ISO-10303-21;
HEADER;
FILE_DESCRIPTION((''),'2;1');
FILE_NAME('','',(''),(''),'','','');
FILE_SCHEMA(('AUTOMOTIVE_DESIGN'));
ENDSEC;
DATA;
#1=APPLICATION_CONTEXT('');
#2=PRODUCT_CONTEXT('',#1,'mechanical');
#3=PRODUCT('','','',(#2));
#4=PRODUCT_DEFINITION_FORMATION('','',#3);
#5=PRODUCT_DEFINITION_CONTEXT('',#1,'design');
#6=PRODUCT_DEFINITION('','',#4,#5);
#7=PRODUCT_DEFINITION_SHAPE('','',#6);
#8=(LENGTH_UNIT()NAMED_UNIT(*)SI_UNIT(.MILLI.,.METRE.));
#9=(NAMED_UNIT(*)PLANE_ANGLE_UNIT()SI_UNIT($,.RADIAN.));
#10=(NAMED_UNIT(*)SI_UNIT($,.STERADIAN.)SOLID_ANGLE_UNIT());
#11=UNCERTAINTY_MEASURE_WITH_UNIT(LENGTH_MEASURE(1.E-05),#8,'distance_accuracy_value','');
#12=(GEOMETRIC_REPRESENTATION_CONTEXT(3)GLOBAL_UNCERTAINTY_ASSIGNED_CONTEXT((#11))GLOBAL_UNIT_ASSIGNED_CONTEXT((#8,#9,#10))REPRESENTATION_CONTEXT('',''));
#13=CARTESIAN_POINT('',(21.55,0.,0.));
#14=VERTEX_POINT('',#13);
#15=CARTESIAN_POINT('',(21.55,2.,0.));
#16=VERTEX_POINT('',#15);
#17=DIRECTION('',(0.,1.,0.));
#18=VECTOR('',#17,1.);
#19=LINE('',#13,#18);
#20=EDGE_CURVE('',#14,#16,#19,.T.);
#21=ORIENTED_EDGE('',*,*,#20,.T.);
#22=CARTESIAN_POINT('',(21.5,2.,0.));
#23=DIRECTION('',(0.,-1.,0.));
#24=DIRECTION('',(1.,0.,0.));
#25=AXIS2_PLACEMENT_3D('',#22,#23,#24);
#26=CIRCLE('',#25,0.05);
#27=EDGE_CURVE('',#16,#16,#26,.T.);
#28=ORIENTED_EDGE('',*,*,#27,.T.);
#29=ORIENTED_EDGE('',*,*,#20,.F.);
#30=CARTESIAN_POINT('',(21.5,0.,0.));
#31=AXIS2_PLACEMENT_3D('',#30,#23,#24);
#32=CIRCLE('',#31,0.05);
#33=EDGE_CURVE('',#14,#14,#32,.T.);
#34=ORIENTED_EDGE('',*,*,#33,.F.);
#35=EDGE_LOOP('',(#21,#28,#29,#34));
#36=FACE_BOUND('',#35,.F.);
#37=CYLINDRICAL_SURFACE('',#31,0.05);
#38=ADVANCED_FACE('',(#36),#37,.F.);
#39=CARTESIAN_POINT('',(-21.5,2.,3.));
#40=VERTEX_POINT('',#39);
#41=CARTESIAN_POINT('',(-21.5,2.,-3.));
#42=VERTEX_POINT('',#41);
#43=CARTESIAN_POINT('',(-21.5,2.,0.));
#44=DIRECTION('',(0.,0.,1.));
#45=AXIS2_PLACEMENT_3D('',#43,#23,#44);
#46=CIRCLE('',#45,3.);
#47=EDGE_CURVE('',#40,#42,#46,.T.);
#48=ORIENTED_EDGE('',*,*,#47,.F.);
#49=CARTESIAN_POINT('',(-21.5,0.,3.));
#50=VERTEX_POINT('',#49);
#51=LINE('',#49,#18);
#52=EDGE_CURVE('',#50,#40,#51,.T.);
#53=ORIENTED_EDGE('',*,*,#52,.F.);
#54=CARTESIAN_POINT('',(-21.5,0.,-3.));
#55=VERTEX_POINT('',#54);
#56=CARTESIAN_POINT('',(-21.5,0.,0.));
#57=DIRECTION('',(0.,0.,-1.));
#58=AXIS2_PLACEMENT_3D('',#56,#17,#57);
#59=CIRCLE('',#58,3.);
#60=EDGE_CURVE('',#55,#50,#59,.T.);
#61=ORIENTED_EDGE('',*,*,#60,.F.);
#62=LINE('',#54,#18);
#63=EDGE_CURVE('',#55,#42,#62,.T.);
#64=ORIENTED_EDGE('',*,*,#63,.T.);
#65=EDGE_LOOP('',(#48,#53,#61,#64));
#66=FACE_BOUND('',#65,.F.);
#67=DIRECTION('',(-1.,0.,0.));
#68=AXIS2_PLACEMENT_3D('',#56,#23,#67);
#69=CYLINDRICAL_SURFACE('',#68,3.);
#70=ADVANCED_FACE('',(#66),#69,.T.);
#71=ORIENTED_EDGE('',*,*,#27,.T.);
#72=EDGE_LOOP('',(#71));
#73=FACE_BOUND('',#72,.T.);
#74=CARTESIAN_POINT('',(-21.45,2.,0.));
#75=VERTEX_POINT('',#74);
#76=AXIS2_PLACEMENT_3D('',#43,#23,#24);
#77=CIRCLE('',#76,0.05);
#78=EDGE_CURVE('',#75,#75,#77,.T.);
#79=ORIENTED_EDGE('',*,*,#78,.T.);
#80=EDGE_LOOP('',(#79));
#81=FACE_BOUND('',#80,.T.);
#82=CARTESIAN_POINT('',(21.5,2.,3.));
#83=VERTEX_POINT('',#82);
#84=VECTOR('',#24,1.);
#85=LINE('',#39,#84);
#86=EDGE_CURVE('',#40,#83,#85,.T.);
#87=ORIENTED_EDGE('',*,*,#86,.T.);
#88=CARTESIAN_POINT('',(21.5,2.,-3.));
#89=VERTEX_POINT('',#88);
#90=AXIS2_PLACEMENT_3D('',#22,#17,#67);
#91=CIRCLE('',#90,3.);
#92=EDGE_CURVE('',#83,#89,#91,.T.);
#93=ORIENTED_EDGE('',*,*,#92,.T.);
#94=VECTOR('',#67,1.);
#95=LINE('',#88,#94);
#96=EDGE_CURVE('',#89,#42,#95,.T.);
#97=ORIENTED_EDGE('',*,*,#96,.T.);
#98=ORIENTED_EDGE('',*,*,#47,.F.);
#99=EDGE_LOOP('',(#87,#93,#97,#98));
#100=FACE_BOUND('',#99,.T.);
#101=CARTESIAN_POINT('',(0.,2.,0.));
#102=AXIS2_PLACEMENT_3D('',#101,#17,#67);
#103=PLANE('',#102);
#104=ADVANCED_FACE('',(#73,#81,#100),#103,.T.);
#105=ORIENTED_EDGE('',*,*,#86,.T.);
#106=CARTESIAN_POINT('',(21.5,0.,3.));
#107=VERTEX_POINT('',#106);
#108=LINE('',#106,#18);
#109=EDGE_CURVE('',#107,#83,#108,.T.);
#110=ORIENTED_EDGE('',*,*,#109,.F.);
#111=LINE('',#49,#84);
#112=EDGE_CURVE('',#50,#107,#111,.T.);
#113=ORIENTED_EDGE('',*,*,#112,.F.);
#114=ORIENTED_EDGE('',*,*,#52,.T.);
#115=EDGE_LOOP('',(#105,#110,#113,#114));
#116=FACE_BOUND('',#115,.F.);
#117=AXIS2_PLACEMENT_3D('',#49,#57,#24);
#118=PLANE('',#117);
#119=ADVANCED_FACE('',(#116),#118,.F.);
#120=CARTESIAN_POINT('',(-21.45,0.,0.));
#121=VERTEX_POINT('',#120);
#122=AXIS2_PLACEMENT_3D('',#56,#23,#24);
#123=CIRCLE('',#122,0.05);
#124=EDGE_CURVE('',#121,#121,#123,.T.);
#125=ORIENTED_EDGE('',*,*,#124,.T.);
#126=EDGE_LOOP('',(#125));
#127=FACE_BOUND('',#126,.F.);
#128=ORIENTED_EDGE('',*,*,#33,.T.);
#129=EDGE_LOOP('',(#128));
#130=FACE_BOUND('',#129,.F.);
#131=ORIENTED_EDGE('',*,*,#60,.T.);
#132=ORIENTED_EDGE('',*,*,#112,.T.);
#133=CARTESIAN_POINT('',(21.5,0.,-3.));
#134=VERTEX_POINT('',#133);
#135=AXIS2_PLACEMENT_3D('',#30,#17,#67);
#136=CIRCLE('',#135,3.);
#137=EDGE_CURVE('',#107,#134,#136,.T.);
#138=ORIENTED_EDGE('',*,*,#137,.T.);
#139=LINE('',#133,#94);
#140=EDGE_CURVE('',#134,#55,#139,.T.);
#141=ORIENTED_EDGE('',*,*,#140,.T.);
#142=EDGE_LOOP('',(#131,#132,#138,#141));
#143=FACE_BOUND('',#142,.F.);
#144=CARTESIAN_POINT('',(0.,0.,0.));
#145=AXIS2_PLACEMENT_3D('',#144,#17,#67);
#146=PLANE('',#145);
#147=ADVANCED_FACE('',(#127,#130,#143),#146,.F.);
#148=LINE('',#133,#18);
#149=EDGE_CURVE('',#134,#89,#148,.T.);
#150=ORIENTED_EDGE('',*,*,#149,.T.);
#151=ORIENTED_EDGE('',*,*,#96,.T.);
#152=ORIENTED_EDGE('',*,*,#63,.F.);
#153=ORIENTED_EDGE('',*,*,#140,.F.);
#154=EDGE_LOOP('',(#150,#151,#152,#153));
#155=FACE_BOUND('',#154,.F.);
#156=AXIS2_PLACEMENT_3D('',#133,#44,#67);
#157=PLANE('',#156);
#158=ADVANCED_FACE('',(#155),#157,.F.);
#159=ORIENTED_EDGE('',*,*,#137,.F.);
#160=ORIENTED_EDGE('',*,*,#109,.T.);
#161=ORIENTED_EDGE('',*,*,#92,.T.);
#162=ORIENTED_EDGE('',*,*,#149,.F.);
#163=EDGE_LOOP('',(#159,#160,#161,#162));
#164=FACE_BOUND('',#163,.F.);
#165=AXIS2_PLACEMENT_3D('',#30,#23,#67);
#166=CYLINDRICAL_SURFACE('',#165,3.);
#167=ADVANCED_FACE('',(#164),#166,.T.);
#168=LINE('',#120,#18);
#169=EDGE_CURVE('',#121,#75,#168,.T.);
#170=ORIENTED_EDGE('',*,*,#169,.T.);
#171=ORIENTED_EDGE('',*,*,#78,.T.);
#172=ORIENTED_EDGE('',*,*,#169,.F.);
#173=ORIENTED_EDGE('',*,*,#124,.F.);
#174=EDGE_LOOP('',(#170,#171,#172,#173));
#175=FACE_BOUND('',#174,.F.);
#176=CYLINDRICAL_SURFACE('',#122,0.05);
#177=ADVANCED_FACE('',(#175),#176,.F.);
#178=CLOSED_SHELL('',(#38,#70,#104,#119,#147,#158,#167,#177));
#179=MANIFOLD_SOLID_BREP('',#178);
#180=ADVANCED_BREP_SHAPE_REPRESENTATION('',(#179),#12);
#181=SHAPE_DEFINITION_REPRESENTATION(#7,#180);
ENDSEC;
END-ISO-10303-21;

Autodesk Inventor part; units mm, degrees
ref_plane "YZ Plane" through (0, 0, 0) normal (1, 0, 0) x (0, 1, 0)
ref_plane "XZ Plane" through (0, 0, 0) normal (0, 1, 0) x (-1, 0, 0)
ref_plane "XY Plane" through (0, 0, 0) normal (0, 0, 1) x (1, 0, 0)
sketch "Sketch1" plane through (0, 0, 0) normal (0, 1, 0) x (-1, 0, 0)
  line L0 (-21.5, -3) -> (21.5, -3)
  line L1 (21.5, -3) -> (21.5, 3)
  line L2 (21.5, 3) -> (-21.5, 3)
  line L3 (-21.5, 3) -> (-21.5, -3)
  line L4 (-21.5, -3) -> (21.5, 3) construction
  line L5 (21.5, -3) -> (-21.5, 3) construction
  circle A0 centre (21.5, 0) radius 3
  circle A1 centre (-21.5, 0) radius 3
  point P0 (0, 0)
  dimension "d0" = 43
  dimension "d1" = 6
extrude "Extrusion1" add sketch "Sketch1" along normal blind 2
sketch "Sketch2" plane through (0, 2, 0) normal (0, 1, 0) x (1, 0, 0)
  arc A0 (21.5, -3) -> (21.5, 3) centre (21.5, 0) ccw projected
  arc A1 (-21.5, 3) -> (-21.5, -3) centre (-21.5, 0) ccw projected
  circle A2 centre (-21.5, 0) radius 1.5
  circle A3 centre (21.5, 0) radius 1.5
  point P0 (0, 0)
  dimension "d5" = 3
  dimension "d6" = 3
extrude "Extrusion2" cut sketch "Sketch2" against normal blind 2
sketch "Sketch3" plane through (0, 0, 0) normal (0, -1, 0) x (1, 0, 0)
  circle A0 centre (-21.5, 0) radius 1.5 projected
  circle A1 centre (21.5, 0) radius 1.5 projected
  arc A2 (21.5, -3) -> (21.5, 3) centre (21.5, 0) ccw projected
  arc A3 (-21.5, 3) -> (-21.5, -3) centre (-21.5, 0) ccw projected
  circle A4 centre (-21.5, 0) radius 0.05
  circle A5 centre (21.5, 0) radius 0.05
  point P0 (0, 0)
  dimension "d9" = 0.1
  dimension "d10" = 0.1
extrude "Extrusion3" add sketch "Sketch3" against normal blind 2
properties part number "tahlo7,sablona"
